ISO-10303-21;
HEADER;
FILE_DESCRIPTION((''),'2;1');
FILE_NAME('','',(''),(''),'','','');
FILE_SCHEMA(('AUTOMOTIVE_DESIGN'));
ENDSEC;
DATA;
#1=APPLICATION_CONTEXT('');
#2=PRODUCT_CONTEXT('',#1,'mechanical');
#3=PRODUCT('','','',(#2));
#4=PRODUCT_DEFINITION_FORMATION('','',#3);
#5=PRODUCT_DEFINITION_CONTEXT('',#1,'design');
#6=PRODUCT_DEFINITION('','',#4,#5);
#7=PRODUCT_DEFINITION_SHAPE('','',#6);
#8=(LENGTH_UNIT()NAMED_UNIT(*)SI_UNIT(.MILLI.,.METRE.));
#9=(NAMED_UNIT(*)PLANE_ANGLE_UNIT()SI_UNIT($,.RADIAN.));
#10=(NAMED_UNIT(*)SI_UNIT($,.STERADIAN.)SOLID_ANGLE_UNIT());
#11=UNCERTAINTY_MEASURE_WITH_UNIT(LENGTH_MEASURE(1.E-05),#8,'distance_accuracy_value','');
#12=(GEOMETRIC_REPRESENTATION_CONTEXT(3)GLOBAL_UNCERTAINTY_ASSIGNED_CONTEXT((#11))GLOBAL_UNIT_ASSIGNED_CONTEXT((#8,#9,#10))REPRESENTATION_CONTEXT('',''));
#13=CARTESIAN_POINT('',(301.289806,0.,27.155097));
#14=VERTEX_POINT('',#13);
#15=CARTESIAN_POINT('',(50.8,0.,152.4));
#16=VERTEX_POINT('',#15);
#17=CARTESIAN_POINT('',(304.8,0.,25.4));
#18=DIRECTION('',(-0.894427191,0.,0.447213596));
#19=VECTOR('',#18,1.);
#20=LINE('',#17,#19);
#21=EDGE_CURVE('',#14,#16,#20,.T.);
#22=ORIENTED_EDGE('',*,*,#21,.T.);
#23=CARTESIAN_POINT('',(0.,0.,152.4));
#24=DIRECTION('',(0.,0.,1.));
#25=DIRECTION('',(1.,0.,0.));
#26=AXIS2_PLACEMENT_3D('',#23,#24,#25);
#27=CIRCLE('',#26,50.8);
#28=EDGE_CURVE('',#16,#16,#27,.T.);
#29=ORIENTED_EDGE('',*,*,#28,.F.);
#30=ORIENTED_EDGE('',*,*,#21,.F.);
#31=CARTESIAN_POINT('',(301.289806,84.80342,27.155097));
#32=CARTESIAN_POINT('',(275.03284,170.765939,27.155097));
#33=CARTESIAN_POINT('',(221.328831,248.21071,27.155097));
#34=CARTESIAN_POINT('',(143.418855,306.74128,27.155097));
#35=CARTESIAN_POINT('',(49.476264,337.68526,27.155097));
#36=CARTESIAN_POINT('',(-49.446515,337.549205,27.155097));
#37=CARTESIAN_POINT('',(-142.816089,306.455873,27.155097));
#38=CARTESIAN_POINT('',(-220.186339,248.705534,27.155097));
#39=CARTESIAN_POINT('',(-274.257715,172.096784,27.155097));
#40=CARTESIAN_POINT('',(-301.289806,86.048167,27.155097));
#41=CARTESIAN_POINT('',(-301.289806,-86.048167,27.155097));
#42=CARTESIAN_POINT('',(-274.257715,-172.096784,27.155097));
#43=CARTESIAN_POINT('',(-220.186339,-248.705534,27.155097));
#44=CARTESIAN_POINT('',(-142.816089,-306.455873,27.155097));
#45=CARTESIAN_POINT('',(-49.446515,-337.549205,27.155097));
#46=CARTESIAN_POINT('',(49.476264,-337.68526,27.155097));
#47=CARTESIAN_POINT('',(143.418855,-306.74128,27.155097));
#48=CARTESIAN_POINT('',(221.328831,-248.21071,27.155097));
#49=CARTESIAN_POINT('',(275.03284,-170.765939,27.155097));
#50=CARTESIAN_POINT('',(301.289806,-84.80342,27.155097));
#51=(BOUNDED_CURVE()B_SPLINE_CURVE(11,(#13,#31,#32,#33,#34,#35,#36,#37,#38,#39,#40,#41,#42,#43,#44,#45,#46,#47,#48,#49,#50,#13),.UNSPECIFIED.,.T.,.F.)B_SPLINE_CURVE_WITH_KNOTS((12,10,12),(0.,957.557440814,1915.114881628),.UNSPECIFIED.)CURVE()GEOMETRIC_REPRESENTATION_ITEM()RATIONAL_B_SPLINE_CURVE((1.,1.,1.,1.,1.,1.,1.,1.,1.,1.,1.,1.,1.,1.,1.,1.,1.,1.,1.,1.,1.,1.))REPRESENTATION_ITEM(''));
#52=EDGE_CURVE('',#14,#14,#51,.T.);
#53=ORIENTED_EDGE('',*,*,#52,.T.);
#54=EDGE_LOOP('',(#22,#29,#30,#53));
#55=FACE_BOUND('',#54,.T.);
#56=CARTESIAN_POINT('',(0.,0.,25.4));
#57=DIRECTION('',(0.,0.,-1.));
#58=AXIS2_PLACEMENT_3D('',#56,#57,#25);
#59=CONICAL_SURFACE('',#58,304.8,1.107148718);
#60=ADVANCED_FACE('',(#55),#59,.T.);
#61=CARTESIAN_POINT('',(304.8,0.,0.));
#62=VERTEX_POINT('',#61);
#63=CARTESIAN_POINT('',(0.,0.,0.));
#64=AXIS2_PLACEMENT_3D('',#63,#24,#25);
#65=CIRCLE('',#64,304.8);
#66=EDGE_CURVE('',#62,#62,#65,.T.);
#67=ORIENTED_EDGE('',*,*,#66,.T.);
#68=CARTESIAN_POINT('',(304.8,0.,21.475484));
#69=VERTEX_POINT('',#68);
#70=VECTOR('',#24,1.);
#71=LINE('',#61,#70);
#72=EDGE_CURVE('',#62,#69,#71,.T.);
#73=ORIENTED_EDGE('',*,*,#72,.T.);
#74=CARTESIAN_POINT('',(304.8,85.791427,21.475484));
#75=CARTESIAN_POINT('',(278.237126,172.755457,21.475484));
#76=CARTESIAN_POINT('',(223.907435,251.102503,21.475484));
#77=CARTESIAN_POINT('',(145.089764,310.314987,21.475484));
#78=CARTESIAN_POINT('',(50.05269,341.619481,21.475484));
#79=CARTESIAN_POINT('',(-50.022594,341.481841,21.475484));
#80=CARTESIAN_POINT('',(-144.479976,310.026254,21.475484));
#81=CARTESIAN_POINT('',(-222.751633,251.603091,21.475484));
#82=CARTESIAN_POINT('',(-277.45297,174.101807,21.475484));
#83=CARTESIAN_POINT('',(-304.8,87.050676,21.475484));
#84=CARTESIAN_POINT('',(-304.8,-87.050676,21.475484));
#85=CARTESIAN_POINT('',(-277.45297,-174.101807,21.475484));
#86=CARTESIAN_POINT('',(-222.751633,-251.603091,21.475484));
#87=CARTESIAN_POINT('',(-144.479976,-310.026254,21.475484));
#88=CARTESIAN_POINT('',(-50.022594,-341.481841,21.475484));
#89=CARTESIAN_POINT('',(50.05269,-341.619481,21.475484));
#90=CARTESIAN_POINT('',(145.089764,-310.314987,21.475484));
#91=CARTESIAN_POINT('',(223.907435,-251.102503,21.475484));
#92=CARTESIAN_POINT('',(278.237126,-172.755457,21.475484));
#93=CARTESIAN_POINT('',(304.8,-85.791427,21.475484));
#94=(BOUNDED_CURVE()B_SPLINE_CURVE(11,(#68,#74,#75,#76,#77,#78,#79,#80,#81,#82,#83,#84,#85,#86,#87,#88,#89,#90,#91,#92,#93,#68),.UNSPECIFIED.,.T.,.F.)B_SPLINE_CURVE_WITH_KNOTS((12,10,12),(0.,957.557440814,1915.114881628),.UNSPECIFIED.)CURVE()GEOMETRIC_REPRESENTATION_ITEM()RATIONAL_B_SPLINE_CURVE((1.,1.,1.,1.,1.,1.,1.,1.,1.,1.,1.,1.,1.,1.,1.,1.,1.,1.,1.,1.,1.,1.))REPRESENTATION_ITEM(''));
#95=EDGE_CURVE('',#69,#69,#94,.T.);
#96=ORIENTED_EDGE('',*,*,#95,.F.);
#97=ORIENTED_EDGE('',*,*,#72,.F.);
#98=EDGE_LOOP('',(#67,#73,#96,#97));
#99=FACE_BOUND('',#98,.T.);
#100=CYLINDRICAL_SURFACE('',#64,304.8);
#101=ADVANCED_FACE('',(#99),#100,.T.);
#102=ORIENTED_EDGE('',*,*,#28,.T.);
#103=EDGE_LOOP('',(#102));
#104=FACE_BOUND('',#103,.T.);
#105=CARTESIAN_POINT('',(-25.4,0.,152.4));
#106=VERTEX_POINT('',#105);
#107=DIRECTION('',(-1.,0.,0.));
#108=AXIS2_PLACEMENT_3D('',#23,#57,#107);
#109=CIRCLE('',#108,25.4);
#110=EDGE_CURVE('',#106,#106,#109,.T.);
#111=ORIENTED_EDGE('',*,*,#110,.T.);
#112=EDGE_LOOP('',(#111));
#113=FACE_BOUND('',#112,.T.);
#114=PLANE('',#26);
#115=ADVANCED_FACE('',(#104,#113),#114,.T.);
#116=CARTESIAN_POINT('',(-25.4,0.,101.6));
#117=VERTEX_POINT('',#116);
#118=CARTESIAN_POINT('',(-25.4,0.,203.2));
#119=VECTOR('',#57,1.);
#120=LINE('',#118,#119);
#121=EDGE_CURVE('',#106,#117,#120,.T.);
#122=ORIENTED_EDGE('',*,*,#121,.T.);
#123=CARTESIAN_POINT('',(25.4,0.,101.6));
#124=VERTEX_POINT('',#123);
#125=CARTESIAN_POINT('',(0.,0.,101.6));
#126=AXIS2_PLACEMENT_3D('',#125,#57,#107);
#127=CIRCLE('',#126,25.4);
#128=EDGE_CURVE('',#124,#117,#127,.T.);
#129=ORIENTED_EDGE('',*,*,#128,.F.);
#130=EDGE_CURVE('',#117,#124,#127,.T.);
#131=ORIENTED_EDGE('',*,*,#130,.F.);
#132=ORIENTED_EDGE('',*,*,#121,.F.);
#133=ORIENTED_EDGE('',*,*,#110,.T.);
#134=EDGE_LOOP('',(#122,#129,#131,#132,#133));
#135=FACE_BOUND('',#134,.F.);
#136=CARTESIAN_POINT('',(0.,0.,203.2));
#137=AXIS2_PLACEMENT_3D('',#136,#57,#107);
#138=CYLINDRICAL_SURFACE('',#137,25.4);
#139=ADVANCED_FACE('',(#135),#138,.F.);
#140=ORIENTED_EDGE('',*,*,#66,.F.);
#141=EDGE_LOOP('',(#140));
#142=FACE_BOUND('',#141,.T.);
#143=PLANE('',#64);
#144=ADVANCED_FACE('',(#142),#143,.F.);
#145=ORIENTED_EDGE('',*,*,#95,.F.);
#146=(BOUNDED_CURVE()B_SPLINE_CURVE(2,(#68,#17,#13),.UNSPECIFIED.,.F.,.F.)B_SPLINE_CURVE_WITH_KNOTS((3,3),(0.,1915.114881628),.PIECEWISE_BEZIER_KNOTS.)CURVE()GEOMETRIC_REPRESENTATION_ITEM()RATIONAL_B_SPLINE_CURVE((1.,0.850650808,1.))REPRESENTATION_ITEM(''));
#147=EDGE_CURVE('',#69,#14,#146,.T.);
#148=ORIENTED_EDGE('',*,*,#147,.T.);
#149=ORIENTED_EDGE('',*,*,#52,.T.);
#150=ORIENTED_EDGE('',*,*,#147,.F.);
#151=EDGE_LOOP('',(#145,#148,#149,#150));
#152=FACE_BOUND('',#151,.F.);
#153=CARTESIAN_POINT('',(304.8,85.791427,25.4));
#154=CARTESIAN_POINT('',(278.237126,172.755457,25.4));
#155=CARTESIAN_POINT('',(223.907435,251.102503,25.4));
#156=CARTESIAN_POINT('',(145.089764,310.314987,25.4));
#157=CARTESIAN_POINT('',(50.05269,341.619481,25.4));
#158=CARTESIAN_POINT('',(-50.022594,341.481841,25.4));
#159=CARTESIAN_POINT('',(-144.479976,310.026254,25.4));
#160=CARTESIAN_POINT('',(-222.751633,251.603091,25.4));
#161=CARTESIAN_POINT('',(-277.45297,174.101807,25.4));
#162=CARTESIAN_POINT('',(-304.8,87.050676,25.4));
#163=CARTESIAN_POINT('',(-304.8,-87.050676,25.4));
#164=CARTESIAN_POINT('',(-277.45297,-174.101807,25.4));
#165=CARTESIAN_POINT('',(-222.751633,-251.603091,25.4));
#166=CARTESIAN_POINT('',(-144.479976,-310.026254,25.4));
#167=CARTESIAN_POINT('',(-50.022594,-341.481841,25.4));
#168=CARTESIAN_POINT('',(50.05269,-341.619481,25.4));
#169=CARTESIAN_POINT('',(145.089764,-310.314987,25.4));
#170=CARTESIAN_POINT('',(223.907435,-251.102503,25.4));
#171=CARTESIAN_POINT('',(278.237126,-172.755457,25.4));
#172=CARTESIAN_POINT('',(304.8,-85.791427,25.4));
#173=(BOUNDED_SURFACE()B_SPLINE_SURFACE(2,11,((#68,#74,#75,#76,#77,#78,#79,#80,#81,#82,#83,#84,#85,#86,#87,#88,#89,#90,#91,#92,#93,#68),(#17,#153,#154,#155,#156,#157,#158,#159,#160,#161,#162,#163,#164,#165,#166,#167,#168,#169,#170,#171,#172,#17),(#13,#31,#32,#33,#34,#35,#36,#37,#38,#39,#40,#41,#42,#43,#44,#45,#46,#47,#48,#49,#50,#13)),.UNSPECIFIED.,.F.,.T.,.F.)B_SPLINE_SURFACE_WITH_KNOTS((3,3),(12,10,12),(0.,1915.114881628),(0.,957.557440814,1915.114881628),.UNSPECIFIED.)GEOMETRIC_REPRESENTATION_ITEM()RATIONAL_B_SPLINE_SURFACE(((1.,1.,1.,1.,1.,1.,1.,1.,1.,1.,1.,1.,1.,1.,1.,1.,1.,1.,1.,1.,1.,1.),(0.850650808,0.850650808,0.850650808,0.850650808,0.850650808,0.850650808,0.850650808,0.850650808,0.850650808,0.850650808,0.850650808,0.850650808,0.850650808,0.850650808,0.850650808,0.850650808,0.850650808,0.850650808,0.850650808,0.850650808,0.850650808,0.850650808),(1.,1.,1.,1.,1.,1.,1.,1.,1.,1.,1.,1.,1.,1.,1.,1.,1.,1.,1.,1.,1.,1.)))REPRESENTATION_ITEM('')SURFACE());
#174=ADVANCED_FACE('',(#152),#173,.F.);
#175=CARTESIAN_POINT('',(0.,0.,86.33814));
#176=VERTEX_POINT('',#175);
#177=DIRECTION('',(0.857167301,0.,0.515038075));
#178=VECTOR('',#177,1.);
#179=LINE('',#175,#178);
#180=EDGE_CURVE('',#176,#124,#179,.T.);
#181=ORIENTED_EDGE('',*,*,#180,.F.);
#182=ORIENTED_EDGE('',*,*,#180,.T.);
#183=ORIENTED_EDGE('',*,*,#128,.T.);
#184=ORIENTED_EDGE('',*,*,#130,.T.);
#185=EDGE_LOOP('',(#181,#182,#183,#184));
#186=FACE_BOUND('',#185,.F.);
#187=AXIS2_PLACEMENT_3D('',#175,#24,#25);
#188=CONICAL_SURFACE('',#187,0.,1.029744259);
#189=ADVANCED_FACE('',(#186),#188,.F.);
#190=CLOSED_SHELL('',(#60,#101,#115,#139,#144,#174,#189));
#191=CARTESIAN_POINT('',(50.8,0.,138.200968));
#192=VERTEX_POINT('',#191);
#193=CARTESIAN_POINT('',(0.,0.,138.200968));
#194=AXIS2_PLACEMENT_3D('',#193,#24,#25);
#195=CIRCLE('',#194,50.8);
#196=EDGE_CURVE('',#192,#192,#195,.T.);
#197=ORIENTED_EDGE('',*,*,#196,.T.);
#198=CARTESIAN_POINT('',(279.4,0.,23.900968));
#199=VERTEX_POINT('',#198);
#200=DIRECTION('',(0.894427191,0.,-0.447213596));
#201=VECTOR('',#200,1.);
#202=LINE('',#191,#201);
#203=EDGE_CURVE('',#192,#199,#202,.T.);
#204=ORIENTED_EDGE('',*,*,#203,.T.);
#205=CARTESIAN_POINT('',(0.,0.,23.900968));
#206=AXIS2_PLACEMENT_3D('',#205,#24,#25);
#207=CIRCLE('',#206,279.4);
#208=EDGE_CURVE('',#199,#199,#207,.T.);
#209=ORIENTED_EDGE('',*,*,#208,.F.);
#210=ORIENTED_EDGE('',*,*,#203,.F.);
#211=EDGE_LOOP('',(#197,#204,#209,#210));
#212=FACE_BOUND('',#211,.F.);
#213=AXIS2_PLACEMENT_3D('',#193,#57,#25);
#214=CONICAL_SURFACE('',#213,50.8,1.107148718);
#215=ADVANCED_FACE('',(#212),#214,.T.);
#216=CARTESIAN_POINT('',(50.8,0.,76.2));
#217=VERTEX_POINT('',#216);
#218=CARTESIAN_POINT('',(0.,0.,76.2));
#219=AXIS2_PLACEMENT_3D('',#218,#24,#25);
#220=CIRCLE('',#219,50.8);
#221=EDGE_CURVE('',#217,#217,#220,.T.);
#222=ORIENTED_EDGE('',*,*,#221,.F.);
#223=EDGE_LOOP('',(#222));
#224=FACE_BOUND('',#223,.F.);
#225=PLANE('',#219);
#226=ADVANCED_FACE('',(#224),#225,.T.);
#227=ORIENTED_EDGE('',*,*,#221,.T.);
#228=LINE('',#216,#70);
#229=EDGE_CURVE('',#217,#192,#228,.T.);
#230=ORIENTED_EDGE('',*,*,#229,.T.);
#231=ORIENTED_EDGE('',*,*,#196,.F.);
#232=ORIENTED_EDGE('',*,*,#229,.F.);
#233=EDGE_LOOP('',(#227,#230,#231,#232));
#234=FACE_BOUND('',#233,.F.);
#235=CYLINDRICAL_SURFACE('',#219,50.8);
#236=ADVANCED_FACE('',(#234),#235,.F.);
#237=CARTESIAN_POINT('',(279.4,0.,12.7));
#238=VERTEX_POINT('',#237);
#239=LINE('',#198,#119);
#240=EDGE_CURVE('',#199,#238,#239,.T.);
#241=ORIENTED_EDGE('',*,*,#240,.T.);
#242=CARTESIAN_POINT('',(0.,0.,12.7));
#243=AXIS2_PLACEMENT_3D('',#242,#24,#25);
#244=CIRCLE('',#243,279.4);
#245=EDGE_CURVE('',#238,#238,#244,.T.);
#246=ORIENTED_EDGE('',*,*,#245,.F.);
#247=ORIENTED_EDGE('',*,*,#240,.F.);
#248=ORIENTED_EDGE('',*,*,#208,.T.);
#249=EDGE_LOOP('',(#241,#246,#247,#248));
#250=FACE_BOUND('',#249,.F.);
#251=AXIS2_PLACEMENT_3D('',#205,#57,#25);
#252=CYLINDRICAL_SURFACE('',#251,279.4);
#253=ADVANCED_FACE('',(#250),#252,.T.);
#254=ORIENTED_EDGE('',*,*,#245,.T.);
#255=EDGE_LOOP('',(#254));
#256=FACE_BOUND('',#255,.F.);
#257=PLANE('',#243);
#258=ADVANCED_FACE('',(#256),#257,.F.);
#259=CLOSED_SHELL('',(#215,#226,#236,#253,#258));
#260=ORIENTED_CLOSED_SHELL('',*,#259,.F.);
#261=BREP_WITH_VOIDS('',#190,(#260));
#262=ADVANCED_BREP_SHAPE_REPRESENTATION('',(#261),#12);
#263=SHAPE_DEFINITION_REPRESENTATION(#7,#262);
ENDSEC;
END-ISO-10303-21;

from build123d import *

# Parameters (mm, degrees)
F2_R     = 6.35
F4_D     = 50.8
F4_DEPTH = 50.8
F4_TIP   = 15.2618597233


with BuildPart() as f1:
    # F0 (on Front) → F1 (revolve)
    with BuildSketch(Plane.XZ):
        Polygon((0, 12.7), (0, 0), (304.8, 0), (304.8, 25.4), (50.8, 152.4), (0, 152.4), (0, 76.2), (50.8, 76.2), (50.8, 138.2009683429), (279.4, 23.9009683429), (279.4, 12.7), align=None)
    revolve(axis=Axis((0, 0, 114.3), (0, 0, 1)))

    # F2
    f2_edges = [f1.edges().sort_by_distance(p)[0] for p in [
        (-304.8, 0, 25.4),
    ]]
    fillet(f2_edges, radius=F2_R)

    # F4
    with Locations(Plane.XY.offset(152.4)):
        with Locations((0, 0)):
            Hole(F4_D / 2, depth=F4_DEPTH)
            with Locations((0, 0, -(F4_DEPTH + F4_TIP / 2))):  # 118° drill point
                Cone(0, F4_D / 2, F4_TIP, mode=Mode.SUBTRACT)


solid = f1.part
